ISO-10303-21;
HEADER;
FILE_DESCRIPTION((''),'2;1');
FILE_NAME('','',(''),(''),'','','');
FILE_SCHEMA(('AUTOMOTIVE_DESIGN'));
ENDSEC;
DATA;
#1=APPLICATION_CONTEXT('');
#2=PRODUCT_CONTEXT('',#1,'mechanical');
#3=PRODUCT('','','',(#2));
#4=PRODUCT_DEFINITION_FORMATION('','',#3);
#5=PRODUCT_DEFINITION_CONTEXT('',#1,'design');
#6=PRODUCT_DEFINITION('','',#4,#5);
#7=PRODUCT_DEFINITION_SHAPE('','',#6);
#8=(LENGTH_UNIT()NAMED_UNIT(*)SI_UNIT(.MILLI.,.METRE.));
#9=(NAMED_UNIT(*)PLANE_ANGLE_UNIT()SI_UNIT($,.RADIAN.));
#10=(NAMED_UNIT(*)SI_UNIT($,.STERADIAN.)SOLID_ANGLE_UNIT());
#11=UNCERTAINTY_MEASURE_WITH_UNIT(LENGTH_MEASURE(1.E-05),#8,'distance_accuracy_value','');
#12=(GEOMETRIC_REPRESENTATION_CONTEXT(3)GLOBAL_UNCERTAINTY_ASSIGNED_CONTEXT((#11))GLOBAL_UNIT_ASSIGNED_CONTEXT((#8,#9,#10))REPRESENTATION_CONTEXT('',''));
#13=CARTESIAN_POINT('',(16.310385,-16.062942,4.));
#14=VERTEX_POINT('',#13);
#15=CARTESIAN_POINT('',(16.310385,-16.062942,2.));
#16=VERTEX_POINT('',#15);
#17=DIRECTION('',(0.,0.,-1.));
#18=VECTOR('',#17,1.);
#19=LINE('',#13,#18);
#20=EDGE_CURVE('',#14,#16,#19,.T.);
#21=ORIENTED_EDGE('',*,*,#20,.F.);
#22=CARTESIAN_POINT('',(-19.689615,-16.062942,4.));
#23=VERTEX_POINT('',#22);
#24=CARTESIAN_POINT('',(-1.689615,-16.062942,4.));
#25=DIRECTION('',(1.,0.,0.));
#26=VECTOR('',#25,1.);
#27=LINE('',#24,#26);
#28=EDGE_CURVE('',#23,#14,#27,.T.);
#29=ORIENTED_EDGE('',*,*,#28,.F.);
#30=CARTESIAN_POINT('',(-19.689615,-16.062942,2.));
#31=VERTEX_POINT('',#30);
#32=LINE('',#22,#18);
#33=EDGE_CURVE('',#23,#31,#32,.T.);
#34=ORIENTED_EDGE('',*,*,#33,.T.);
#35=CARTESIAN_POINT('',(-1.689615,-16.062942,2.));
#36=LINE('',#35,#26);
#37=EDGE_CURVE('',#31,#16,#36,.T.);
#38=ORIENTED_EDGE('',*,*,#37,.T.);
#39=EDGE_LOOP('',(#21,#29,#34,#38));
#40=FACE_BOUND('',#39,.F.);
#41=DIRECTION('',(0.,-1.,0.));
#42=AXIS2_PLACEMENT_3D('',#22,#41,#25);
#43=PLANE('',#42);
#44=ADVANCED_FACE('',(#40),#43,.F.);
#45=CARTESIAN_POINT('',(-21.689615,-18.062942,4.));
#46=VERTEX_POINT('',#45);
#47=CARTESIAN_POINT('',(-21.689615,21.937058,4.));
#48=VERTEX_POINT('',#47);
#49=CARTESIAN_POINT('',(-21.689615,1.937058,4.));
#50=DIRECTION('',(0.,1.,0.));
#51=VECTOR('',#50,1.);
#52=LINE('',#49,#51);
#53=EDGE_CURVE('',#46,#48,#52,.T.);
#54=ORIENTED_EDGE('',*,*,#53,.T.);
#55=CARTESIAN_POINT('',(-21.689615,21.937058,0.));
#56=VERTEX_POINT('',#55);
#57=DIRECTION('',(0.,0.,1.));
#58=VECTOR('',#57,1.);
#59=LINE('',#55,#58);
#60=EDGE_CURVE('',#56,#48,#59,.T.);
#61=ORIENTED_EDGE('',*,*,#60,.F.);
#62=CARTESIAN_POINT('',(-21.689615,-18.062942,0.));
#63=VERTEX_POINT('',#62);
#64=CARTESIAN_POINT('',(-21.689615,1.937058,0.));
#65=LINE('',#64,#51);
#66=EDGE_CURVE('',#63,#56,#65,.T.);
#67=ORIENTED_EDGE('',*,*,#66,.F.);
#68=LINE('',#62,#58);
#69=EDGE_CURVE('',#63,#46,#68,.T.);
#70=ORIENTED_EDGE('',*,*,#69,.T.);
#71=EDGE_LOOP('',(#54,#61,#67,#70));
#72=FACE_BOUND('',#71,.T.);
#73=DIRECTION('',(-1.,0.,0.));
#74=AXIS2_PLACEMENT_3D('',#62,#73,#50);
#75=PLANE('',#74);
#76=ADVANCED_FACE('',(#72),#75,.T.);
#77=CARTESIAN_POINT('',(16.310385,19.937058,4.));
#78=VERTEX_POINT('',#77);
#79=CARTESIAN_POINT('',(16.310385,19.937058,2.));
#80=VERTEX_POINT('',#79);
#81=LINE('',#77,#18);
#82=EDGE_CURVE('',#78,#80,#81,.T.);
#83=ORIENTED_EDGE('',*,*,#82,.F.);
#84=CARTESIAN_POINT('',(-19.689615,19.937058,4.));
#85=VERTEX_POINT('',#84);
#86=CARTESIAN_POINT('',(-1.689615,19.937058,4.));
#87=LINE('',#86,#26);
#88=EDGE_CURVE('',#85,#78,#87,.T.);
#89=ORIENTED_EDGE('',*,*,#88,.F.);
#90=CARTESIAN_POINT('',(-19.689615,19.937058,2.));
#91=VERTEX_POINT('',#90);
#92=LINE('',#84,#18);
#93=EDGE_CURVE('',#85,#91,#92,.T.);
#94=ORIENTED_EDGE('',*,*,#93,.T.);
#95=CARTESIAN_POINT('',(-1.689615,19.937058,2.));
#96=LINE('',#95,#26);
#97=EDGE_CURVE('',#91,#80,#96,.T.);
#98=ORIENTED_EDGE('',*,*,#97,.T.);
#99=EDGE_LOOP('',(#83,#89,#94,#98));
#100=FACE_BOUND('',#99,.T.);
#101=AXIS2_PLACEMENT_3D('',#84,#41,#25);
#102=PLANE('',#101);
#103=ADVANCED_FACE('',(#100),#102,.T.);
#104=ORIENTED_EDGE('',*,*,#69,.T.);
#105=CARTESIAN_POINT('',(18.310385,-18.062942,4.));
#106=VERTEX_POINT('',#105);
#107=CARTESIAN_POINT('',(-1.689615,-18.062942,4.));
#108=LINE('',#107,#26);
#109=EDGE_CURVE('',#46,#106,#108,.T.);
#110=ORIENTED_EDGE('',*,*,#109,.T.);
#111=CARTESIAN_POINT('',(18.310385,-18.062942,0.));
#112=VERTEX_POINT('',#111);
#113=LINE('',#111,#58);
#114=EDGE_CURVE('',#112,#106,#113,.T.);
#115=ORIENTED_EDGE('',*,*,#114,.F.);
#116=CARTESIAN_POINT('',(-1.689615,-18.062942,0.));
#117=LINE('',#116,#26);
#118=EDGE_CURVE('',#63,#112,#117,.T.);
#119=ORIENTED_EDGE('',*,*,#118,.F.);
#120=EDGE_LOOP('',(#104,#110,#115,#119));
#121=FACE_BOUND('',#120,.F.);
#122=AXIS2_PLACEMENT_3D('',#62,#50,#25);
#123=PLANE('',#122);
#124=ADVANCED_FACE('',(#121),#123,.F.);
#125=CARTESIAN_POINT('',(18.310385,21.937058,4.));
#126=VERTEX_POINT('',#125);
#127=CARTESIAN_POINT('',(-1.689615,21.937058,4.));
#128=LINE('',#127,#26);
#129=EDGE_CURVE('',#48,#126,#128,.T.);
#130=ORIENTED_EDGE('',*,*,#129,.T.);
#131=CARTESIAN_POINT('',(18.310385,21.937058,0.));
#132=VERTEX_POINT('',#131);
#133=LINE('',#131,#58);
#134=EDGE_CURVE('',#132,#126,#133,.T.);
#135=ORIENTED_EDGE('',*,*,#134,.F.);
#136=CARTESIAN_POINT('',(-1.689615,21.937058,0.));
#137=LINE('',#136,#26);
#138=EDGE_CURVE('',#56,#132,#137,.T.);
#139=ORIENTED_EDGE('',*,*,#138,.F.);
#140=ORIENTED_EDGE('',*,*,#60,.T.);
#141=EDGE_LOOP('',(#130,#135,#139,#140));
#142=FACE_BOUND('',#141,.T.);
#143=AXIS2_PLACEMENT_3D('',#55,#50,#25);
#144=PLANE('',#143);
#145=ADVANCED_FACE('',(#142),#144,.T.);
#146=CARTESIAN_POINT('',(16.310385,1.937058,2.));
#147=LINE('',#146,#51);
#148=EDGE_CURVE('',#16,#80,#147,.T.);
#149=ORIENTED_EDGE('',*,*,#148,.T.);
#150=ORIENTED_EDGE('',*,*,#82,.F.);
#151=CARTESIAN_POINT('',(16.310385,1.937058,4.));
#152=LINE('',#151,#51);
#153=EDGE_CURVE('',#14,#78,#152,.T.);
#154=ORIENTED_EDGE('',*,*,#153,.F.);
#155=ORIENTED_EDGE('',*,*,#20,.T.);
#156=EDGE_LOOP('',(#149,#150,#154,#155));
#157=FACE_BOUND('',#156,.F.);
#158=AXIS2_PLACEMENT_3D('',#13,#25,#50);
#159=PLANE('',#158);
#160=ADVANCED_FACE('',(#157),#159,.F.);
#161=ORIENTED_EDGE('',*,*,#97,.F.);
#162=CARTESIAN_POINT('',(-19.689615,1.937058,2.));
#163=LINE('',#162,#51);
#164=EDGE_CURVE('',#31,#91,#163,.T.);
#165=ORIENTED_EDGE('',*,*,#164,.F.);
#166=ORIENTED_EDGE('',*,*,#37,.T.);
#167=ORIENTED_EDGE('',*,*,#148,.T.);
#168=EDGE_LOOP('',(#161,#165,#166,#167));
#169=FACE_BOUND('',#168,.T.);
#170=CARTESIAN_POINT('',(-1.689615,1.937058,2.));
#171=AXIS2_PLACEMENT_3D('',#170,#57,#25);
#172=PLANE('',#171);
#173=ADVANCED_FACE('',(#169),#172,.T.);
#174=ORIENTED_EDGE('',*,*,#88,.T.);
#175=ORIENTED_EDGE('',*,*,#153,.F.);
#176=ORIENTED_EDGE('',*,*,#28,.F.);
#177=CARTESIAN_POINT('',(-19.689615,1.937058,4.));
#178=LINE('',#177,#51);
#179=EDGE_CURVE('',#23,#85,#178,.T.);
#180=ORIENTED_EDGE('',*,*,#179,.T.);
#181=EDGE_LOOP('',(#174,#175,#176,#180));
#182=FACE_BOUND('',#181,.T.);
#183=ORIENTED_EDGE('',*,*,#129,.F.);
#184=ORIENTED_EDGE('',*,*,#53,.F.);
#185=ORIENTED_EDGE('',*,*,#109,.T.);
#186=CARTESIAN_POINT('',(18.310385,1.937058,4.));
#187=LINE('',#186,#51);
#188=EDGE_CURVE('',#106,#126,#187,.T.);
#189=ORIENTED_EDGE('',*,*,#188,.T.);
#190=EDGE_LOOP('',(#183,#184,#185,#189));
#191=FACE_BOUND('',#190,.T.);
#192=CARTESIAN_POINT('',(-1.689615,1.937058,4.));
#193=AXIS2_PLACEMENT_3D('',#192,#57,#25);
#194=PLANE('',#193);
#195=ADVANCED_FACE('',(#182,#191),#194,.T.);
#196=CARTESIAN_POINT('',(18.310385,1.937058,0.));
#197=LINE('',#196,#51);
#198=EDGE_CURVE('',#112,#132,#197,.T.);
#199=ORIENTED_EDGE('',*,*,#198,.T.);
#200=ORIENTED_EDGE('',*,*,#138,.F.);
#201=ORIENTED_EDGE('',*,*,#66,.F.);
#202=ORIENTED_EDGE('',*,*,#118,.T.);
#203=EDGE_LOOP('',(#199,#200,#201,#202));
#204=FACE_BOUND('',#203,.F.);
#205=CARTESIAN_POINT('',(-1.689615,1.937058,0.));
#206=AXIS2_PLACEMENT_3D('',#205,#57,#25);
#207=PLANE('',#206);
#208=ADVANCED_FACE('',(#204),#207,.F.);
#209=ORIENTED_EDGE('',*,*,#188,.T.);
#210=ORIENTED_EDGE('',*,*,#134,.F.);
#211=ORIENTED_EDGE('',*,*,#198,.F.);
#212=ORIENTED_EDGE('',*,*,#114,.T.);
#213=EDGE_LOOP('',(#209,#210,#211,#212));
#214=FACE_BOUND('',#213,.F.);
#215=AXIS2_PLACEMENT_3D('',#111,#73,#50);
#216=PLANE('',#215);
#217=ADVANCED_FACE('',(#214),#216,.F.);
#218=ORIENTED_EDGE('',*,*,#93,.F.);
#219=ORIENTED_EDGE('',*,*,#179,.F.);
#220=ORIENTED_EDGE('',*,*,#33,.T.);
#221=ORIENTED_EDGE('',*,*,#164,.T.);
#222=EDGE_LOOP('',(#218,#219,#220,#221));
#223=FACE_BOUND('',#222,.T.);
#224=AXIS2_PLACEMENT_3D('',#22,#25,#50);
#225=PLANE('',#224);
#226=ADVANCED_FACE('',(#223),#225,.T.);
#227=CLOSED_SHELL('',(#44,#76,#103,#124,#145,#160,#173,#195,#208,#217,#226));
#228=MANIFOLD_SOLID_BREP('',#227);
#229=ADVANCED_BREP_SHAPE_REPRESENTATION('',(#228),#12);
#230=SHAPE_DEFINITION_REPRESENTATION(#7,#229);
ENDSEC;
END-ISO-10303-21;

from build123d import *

# Parameters (mm, degrees)
F0_W     = 40
F0_H     = 40
F1_DEPTH = 4
F2_W     = 36.000001
F2_H     = 36.000001
F3_DEPTH = 2
F4_W     = 36
F4_H     = 36
F5_DEPTH = 2


with BuildPart() as f1:
    # F0 (on Top) → F1 (new body)
    with BuildSketch(Plane.XY):
        with Locations((-1.689615, 1.937058)):
            Rectangle(F0_W, F0_H)
    extrude(amount=F1_DEPTH)

    # F2 (on face) → F3 (join)
    with BuildSketch(Plane.XY.offset(4)):
        with Locations((-1.689615, 1.937058)):
            Rectangle(F2_W, F2_H)
    extrude(amount=-F3_DEPTH)

    # F4 (on face) → F5 (cut)
    with BuildSketch(Plane.XY.offset(4)):
        with Locations((-1.689615, 1.937058)):
            Rectangle(F4_W, F4_H)
    extrude(amount=-F5_DEPTH, mode=Mode.SUBTRACT)


solid = f1.part
